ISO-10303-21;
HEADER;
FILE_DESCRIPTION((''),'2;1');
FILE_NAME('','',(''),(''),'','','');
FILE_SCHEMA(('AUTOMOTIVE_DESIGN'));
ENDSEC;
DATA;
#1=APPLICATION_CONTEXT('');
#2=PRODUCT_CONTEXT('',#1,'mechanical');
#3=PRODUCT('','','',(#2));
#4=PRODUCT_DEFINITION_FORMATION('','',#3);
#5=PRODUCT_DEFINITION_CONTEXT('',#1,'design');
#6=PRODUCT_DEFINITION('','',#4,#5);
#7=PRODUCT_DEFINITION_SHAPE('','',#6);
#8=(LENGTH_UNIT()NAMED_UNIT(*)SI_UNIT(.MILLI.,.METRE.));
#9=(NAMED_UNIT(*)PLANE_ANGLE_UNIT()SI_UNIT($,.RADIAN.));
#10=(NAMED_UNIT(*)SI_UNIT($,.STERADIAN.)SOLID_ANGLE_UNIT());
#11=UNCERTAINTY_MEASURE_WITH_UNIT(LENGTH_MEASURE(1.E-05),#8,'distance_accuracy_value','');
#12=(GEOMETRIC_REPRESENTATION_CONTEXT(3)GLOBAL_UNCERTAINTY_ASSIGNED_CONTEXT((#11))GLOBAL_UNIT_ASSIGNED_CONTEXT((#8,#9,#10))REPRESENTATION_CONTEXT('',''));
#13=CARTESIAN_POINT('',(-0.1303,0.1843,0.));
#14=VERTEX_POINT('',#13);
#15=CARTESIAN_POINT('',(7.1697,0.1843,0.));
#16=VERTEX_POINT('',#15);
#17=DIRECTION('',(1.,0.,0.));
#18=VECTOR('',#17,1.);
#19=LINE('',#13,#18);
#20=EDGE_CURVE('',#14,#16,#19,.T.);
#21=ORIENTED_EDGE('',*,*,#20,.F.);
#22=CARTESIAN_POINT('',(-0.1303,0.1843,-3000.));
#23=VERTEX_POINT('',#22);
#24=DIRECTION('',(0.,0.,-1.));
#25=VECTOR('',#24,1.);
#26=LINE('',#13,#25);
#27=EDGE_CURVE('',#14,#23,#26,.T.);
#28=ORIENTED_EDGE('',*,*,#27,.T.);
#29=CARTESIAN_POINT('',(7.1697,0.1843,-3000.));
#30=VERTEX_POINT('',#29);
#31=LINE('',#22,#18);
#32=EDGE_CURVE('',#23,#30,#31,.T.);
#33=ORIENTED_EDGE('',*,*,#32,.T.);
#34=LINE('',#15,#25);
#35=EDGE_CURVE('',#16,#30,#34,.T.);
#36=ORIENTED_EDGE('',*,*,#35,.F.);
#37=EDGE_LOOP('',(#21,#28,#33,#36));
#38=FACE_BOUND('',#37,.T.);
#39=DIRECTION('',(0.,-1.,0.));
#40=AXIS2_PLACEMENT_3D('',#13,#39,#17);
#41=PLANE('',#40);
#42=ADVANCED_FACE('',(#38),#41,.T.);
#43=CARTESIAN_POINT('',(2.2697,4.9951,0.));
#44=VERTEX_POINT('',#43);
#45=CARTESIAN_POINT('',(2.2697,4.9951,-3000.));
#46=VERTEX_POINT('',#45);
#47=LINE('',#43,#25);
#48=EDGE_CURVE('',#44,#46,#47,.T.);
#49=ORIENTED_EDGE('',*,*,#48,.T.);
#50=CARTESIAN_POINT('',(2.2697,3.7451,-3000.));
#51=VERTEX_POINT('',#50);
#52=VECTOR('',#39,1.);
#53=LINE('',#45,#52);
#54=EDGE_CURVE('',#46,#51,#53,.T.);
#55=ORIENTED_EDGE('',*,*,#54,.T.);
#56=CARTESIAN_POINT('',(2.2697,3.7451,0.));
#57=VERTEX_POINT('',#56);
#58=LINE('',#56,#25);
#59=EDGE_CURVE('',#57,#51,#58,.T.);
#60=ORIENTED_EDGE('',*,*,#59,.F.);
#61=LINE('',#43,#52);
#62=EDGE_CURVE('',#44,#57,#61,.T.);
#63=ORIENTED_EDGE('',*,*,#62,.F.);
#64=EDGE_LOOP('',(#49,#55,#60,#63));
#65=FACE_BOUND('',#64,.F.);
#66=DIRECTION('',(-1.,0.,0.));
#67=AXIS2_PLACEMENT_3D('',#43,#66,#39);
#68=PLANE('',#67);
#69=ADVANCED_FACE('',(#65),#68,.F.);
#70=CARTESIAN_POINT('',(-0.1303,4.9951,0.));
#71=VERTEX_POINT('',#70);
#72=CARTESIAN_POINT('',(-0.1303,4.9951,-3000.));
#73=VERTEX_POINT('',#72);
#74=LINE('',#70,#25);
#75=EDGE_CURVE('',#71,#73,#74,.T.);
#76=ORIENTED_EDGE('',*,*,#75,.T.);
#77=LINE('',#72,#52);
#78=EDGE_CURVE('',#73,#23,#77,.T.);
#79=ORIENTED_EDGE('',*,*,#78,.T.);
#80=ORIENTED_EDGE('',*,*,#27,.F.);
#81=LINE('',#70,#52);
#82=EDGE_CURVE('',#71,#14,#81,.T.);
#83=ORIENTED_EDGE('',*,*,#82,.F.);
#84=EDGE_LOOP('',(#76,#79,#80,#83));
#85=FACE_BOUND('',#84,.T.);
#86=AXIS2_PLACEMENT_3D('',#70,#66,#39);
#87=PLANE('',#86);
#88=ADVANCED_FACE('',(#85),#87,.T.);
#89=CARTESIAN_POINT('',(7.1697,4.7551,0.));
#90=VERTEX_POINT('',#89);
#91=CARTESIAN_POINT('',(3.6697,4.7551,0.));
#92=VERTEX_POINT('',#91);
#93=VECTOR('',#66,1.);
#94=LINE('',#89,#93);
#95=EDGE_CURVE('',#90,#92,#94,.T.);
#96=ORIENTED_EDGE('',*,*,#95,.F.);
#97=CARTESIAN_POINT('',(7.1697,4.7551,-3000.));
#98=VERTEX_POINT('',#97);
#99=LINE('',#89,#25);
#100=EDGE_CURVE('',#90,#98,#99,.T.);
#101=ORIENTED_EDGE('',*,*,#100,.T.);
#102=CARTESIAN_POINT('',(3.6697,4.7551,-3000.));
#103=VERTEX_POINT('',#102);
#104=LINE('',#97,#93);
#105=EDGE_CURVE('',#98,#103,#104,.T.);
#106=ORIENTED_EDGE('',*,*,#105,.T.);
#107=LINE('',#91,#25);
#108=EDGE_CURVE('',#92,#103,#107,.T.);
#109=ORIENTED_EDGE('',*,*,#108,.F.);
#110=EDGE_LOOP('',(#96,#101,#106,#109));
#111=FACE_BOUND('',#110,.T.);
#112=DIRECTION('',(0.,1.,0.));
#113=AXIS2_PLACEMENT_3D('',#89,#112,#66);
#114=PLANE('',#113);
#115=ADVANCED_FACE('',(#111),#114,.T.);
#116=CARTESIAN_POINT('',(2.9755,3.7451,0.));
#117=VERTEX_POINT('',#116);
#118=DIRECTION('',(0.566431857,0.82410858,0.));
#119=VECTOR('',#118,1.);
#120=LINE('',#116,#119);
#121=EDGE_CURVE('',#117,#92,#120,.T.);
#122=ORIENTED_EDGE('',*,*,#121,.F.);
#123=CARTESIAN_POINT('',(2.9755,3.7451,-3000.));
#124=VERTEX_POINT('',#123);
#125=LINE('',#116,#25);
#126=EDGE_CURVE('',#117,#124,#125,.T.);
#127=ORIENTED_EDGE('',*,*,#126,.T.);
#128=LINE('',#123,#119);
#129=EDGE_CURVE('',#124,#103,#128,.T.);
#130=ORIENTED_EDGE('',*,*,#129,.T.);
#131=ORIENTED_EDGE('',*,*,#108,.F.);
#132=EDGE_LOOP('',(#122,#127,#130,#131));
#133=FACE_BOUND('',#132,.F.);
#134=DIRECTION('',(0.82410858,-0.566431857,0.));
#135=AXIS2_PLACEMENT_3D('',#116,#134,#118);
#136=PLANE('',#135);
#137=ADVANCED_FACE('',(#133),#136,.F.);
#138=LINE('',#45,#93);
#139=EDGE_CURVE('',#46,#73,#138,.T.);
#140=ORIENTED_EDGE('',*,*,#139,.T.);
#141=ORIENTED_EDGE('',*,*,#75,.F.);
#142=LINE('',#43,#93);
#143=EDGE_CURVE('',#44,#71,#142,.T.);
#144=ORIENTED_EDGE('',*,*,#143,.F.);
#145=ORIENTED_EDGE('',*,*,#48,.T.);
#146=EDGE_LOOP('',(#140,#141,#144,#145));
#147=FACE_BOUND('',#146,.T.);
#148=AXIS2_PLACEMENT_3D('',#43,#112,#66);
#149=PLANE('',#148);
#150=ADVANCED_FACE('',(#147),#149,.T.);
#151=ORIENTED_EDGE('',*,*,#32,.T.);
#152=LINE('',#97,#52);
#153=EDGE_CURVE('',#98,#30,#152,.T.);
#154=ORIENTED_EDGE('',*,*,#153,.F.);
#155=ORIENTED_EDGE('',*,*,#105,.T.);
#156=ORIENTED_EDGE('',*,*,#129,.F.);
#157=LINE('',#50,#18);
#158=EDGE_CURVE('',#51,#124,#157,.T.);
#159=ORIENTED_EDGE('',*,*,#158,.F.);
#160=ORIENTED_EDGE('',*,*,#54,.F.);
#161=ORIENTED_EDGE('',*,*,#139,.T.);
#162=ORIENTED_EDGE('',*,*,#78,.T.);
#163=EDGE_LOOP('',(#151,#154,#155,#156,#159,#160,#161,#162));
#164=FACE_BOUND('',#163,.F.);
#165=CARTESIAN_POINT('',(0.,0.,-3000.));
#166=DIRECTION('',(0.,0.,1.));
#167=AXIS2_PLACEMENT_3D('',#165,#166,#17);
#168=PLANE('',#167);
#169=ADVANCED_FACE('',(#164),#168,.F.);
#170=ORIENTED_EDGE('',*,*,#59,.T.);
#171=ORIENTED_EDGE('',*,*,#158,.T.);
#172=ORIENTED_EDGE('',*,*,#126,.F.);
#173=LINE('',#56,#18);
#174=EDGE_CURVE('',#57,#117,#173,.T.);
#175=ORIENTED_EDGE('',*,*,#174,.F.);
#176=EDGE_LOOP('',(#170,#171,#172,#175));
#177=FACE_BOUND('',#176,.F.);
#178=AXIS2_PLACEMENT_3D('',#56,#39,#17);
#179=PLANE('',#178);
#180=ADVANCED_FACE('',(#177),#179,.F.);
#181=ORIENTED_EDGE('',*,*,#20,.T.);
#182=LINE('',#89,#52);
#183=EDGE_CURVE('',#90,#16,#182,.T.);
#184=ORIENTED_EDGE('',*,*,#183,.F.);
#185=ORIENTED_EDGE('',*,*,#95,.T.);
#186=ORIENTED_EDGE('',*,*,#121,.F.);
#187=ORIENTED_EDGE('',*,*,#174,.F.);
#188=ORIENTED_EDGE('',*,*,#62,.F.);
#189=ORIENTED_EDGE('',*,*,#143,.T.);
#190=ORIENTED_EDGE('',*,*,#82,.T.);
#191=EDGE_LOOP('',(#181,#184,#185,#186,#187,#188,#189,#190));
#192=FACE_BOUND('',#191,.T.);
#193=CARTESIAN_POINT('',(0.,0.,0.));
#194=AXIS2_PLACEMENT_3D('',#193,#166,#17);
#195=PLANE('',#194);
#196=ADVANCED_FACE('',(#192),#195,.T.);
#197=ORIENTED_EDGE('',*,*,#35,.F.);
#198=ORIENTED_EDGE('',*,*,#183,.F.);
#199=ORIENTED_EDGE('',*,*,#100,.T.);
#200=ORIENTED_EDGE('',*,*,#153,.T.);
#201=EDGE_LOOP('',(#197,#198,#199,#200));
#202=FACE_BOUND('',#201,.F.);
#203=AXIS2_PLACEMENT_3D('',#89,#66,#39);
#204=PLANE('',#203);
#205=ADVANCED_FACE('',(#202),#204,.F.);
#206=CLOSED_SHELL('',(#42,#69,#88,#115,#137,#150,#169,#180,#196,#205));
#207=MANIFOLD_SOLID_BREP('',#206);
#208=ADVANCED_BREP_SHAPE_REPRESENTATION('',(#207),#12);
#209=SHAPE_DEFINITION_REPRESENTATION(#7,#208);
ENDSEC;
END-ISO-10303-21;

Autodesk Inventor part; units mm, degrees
ref_plane "YZ Plane" through (0, 0, 0) normal (1, 0, 0) x (0, 1, 0)
ref_plane "XZ Plane" through (0, 0, 0) normal (0, 1, 0) x (-1, 0, 0)
ref_plane "XY Plane" through (0, 0, 0) normal (0, 0, 1) x (1, 0, 0)
sketch "Boceto1" plane through (0, 0, 0) normal (0, 0, 1) x (1, 0, 0)
  line L0 (2.2697, 4.9951) -> (-0.1303, 4.9951)
  line L1 (-0.1303, 4.9951) -> (-0.1303, 0.1843)
  line L2 (2.2697, 4.9951) -> (2.2697, 3.7451)
  line L3 (2.2697, 3.7451) -> (2.9755, 3.7451)
  line L4 (2.9755, 3.7451) -> (3.6697, 4.7551)
  line L5 (-0.1303, 0.1843) -> (7.1697, 0.1843)
  line L6 (7.1697, 4.7551) -> (7.1697, 0.1843)
  line L7 (7.1697, 4.7551) -> (3.6697, 4.7551)
  dimension "d93" = 4.8108
  dimension "d94" = 0.24
  dimension "d95" = 2.4
  dimension "d96" = 0.7058
  dimension "d97" = 1.25
  dimension "d98" = 1.01
  dimension "d99" = 124.5
  dimension "d100" = 7.3
extrude "Extrusión1" add sketch "Boceto1" against normal blind 3000
properties part number "SP40-04A JUNTA INT CRISTAL ZOCALO 602 mm" material "Caucho"
